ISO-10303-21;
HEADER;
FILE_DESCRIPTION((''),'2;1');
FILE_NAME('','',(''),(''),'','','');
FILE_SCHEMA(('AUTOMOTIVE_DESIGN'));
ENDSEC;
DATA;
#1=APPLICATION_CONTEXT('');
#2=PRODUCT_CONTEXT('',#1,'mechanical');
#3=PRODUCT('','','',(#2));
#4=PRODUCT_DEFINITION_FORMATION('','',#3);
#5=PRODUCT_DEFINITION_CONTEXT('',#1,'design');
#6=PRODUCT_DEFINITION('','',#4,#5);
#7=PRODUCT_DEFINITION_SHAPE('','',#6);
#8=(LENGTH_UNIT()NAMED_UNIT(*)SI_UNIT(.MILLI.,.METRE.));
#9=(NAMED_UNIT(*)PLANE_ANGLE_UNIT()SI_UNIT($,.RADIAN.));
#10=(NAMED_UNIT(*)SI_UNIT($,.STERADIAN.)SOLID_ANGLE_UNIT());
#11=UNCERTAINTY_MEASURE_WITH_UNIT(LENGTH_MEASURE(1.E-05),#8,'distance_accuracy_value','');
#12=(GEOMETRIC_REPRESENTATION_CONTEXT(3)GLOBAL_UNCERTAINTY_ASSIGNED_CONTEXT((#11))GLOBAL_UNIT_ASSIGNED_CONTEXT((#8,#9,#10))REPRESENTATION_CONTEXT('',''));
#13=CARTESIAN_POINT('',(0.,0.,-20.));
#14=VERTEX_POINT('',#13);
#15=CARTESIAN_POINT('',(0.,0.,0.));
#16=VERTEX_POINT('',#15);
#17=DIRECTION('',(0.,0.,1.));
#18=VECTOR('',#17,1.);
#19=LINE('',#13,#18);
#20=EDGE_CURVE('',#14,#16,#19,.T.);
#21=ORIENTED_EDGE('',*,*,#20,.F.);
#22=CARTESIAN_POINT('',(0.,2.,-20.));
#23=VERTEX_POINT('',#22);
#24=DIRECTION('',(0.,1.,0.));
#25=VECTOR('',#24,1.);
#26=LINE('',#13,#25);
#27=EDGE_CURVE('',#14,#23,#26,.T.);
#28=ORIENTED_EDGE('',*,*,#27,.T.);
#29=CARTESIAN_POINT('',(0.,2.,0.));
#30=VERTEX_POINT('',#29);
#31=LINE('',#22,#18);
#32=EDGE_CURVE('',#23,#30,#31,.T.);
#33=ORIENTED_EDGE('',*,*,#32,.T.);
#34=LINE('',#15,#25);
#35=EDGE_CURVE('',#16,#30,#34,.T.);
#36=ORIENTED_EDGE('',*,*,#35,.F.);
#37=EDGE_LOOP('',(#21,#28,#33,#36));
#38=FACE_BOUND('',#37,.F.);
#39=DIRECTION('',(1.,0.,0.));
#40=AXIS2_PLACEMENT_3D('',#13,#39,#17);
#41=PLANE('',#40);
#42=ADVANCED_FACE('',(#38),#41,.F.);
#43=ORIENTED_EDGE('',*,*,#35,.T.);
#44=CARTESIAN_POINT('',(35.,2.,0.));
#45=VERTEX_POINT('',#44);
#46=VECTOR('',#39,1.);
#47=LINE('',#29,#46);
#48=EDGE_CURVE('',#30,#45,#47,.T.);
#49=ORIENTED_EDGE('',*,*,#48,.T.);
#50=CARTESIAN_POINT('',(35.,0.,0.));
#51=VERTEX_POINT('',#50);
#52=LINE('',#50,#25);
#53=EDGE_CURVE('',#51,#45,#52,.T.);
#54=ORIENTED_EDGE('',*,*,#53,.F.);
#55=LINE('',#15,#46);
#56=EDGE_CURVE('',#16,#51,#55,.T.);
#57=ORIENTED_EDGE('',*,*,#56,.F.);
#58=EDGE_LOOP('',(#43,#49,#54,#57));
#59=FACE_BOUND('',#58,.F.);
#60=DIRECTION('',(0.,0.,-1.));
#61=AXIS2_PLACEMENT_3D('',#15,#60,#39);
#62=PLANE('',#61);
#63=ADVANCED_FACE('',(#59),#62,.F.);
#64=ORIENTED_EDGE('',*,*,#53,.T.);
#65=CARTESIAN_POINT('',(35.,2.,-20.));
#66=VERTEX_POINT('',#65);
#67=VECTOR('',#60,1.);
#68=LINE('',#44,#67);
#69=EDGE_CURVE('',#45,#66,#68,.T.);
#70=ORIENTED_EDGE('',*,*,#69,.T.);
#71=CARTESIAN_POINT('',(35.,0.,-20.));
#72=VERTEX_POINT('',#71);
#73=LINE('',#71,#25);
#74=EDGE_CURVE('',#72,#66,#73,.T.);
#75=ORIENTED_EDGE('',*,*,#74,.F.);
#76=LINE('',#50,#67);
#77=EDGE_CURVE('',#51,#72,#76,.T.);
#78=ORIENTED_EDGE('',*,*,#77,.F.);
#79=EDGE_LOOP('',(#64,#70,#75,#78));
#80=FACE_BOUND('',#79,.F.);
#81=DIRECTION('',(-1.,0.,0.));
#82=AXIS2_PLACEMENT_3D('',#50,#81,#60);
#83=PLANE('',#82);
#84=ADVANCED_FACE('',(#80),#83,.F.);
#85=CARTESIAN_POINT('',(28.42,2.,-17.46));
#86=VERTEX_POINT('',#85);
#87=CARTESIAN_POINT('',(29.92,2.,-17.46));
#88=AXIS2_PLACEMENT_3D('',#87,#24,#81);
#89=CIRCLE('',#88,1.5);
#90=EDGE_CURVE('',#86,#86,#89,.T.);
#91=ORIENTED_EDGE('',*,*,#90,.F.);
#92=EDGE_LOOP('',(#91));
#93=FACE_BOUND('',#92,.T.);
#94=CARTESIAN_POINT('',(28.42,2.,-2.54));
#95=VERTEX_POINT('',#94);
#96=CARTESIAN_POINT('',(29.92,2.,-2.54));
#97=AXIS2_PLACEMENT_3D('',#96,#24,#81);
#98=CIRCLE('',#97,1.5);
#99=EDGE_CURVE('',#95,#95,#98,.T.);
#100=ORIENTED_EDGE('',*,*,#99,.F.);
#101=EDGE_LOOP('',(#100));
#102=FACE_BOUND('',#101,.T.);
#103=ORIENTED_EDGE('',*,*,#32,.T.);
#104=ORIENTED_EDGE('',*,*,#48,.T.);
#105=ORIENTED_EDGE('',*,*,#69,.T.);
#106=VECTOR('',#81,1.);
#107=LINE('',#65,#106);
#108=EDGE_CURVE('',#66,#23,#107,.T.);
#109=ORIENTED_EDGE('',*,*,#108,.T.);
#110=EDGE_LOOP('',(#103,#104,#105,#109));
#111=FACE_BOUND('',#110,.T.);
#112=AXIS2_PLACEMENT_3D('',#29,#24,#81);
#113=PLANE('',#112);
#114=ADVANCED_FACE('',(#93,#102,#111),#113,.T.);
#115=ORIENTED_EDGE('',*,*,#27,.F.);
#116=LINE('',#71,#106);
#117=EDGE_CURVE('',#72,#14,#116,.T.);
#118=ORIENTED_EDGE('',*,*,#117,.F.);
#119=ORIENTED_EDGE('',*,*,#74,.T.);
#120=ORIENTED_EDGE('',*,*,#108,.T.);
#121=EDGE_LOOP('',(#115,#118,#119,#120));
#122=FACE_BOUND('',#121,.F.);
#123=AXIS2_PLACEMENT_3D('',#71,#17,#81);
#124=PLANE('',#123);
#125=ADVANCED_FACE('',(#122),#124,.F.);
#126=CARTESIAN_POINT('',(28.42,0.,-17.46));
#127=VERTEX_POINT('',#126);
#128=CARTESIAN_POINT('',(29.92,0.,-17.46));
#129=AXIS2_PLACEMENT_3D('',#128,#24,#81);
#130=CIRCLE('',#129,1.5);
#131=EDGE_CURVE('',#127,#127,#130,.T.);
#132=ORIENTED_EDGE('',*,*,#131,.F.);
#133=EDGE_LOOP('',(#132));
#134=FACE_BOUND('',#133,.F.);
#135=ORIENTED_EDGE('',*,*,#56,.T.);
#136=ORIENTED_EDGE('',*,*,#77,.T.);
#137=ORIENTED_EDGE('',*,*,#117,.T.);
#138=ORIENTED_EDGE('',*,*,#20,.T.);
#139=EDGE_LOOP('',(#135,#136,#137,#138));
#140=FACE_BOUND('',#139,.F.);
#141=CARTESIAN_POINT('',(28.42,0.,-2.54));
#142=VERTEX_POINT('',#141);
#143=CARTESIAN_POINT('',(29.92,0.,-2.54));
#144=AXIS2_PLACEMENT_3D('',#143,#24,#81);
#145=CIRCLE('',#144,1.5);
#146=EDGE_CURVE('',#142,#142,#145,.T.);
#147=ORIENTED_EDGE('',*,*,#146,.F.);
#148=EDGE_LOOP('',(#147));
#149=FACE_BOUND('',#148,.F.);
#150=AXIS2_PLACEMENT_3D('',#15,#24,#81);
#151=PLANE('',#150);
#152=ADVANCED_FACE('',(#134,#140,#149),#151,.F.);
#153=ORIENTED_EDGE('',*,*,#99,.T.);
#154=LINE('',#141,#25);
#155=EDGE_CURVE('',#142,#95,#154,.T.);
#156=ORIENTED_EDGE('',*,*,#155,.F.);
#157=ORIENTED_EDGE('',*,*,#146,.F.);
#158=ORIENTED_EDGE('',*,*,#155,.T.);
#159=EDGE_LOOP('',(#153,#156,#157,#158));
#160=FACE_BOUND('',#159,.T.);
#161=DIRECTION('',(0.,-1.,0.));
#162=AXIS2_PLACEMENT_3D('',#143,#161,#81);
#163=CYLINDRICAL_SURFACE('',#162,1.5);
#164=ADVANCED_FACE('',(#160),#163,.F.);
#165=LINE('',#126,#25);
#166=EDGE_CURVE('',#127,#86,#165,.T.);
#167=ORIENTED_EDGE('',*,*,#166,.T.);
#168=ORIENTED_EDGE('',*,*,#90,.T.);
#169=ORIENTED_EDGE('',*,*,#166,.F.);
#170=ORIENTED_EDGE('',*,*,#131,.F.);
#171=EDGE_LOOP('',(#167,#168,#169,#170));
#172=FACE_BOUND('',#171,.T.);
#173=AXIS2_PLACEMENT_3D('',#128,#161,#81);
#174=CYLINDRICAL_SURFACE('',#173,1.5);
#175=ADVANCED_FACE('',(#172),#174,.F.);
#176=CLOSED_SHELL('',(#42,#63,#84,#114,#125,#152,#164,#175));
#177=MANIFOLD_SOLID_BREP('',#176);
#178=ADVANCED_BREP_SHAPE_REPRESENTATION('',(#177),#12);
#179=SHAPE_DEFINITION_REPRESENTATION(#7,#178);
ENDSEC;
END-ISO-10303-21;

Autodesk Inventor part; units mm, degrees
ref_plane "YZ Plane" through (0, 0, 0) normal (1, 0, 0) x (0, 1, 0)
ref_plane "XZ Plane" through (0, 0, 0) normal (0, 1, 0) x (-1, 0, 0)
ref_plane "XY Plane" through (0, 0, 0) normal (0, 0, 1) x (1, 0, 0)
sketch "Sketch1" plane through (0, 0, 0) normal (0, 1, 0) x (-1, 0, 0)
  line L0 (4.0913, -33.3854) -> (-39.8699, -33.3854) construction
  line L1 (-39.8699, -33.3854) -> (-39.8699, 13.6146) construction
  line L2 (-39.8699, 13.6146) -> (4.0913, 13.6146) construction
  line L3 (4.0913, 13.6146) -> (4.0913, -33.3854) construction
  line L4 (0, 0) -> (-35, 0)
  line L5 (-35, 0) -> (-35, -20)
  line L6 (-35, -20) -> (0, -20)
  line L7 (0, -20) -> (0, 0)
  circle A0 centre (-29.92, -17.46) radius 1.5
  circle A1 centre (-29.92, -2.54) radius 1.5
  dimension "d1" = 20
  dimension "d6" = 35
  dimension "d17" = 47
  dimension "d22" = 3
  dimension "d23" = 3
  dimension "d24" = 5.08
  dimension "d25" = 5.08
  dimension "d26" = 2.54
  dimension "d27" = 2.54
extrude "Extrusion1" add sketch "Sketch1" along normal blind 2
sketch "Sketch2" plane through (0, 2, 0) normal (0, 1, 0) x (1, 0, 0)
  line L0 (-4.1581, 33.5847) -> (39.8031, 33.5847) construction
  line L1 (39.8031, 33.5847) -> (39.8031, -13.4153) construction
  line L2 (39.8031, -13.4153) -> (-4.1581, -13.4153) construction
  line L3 (-4.1581, -13.4153) -> (-4.1581, 33.5847) construction
  point P0 (0, 0)
  dimension "d33" = 47
properties part number "hx711"
